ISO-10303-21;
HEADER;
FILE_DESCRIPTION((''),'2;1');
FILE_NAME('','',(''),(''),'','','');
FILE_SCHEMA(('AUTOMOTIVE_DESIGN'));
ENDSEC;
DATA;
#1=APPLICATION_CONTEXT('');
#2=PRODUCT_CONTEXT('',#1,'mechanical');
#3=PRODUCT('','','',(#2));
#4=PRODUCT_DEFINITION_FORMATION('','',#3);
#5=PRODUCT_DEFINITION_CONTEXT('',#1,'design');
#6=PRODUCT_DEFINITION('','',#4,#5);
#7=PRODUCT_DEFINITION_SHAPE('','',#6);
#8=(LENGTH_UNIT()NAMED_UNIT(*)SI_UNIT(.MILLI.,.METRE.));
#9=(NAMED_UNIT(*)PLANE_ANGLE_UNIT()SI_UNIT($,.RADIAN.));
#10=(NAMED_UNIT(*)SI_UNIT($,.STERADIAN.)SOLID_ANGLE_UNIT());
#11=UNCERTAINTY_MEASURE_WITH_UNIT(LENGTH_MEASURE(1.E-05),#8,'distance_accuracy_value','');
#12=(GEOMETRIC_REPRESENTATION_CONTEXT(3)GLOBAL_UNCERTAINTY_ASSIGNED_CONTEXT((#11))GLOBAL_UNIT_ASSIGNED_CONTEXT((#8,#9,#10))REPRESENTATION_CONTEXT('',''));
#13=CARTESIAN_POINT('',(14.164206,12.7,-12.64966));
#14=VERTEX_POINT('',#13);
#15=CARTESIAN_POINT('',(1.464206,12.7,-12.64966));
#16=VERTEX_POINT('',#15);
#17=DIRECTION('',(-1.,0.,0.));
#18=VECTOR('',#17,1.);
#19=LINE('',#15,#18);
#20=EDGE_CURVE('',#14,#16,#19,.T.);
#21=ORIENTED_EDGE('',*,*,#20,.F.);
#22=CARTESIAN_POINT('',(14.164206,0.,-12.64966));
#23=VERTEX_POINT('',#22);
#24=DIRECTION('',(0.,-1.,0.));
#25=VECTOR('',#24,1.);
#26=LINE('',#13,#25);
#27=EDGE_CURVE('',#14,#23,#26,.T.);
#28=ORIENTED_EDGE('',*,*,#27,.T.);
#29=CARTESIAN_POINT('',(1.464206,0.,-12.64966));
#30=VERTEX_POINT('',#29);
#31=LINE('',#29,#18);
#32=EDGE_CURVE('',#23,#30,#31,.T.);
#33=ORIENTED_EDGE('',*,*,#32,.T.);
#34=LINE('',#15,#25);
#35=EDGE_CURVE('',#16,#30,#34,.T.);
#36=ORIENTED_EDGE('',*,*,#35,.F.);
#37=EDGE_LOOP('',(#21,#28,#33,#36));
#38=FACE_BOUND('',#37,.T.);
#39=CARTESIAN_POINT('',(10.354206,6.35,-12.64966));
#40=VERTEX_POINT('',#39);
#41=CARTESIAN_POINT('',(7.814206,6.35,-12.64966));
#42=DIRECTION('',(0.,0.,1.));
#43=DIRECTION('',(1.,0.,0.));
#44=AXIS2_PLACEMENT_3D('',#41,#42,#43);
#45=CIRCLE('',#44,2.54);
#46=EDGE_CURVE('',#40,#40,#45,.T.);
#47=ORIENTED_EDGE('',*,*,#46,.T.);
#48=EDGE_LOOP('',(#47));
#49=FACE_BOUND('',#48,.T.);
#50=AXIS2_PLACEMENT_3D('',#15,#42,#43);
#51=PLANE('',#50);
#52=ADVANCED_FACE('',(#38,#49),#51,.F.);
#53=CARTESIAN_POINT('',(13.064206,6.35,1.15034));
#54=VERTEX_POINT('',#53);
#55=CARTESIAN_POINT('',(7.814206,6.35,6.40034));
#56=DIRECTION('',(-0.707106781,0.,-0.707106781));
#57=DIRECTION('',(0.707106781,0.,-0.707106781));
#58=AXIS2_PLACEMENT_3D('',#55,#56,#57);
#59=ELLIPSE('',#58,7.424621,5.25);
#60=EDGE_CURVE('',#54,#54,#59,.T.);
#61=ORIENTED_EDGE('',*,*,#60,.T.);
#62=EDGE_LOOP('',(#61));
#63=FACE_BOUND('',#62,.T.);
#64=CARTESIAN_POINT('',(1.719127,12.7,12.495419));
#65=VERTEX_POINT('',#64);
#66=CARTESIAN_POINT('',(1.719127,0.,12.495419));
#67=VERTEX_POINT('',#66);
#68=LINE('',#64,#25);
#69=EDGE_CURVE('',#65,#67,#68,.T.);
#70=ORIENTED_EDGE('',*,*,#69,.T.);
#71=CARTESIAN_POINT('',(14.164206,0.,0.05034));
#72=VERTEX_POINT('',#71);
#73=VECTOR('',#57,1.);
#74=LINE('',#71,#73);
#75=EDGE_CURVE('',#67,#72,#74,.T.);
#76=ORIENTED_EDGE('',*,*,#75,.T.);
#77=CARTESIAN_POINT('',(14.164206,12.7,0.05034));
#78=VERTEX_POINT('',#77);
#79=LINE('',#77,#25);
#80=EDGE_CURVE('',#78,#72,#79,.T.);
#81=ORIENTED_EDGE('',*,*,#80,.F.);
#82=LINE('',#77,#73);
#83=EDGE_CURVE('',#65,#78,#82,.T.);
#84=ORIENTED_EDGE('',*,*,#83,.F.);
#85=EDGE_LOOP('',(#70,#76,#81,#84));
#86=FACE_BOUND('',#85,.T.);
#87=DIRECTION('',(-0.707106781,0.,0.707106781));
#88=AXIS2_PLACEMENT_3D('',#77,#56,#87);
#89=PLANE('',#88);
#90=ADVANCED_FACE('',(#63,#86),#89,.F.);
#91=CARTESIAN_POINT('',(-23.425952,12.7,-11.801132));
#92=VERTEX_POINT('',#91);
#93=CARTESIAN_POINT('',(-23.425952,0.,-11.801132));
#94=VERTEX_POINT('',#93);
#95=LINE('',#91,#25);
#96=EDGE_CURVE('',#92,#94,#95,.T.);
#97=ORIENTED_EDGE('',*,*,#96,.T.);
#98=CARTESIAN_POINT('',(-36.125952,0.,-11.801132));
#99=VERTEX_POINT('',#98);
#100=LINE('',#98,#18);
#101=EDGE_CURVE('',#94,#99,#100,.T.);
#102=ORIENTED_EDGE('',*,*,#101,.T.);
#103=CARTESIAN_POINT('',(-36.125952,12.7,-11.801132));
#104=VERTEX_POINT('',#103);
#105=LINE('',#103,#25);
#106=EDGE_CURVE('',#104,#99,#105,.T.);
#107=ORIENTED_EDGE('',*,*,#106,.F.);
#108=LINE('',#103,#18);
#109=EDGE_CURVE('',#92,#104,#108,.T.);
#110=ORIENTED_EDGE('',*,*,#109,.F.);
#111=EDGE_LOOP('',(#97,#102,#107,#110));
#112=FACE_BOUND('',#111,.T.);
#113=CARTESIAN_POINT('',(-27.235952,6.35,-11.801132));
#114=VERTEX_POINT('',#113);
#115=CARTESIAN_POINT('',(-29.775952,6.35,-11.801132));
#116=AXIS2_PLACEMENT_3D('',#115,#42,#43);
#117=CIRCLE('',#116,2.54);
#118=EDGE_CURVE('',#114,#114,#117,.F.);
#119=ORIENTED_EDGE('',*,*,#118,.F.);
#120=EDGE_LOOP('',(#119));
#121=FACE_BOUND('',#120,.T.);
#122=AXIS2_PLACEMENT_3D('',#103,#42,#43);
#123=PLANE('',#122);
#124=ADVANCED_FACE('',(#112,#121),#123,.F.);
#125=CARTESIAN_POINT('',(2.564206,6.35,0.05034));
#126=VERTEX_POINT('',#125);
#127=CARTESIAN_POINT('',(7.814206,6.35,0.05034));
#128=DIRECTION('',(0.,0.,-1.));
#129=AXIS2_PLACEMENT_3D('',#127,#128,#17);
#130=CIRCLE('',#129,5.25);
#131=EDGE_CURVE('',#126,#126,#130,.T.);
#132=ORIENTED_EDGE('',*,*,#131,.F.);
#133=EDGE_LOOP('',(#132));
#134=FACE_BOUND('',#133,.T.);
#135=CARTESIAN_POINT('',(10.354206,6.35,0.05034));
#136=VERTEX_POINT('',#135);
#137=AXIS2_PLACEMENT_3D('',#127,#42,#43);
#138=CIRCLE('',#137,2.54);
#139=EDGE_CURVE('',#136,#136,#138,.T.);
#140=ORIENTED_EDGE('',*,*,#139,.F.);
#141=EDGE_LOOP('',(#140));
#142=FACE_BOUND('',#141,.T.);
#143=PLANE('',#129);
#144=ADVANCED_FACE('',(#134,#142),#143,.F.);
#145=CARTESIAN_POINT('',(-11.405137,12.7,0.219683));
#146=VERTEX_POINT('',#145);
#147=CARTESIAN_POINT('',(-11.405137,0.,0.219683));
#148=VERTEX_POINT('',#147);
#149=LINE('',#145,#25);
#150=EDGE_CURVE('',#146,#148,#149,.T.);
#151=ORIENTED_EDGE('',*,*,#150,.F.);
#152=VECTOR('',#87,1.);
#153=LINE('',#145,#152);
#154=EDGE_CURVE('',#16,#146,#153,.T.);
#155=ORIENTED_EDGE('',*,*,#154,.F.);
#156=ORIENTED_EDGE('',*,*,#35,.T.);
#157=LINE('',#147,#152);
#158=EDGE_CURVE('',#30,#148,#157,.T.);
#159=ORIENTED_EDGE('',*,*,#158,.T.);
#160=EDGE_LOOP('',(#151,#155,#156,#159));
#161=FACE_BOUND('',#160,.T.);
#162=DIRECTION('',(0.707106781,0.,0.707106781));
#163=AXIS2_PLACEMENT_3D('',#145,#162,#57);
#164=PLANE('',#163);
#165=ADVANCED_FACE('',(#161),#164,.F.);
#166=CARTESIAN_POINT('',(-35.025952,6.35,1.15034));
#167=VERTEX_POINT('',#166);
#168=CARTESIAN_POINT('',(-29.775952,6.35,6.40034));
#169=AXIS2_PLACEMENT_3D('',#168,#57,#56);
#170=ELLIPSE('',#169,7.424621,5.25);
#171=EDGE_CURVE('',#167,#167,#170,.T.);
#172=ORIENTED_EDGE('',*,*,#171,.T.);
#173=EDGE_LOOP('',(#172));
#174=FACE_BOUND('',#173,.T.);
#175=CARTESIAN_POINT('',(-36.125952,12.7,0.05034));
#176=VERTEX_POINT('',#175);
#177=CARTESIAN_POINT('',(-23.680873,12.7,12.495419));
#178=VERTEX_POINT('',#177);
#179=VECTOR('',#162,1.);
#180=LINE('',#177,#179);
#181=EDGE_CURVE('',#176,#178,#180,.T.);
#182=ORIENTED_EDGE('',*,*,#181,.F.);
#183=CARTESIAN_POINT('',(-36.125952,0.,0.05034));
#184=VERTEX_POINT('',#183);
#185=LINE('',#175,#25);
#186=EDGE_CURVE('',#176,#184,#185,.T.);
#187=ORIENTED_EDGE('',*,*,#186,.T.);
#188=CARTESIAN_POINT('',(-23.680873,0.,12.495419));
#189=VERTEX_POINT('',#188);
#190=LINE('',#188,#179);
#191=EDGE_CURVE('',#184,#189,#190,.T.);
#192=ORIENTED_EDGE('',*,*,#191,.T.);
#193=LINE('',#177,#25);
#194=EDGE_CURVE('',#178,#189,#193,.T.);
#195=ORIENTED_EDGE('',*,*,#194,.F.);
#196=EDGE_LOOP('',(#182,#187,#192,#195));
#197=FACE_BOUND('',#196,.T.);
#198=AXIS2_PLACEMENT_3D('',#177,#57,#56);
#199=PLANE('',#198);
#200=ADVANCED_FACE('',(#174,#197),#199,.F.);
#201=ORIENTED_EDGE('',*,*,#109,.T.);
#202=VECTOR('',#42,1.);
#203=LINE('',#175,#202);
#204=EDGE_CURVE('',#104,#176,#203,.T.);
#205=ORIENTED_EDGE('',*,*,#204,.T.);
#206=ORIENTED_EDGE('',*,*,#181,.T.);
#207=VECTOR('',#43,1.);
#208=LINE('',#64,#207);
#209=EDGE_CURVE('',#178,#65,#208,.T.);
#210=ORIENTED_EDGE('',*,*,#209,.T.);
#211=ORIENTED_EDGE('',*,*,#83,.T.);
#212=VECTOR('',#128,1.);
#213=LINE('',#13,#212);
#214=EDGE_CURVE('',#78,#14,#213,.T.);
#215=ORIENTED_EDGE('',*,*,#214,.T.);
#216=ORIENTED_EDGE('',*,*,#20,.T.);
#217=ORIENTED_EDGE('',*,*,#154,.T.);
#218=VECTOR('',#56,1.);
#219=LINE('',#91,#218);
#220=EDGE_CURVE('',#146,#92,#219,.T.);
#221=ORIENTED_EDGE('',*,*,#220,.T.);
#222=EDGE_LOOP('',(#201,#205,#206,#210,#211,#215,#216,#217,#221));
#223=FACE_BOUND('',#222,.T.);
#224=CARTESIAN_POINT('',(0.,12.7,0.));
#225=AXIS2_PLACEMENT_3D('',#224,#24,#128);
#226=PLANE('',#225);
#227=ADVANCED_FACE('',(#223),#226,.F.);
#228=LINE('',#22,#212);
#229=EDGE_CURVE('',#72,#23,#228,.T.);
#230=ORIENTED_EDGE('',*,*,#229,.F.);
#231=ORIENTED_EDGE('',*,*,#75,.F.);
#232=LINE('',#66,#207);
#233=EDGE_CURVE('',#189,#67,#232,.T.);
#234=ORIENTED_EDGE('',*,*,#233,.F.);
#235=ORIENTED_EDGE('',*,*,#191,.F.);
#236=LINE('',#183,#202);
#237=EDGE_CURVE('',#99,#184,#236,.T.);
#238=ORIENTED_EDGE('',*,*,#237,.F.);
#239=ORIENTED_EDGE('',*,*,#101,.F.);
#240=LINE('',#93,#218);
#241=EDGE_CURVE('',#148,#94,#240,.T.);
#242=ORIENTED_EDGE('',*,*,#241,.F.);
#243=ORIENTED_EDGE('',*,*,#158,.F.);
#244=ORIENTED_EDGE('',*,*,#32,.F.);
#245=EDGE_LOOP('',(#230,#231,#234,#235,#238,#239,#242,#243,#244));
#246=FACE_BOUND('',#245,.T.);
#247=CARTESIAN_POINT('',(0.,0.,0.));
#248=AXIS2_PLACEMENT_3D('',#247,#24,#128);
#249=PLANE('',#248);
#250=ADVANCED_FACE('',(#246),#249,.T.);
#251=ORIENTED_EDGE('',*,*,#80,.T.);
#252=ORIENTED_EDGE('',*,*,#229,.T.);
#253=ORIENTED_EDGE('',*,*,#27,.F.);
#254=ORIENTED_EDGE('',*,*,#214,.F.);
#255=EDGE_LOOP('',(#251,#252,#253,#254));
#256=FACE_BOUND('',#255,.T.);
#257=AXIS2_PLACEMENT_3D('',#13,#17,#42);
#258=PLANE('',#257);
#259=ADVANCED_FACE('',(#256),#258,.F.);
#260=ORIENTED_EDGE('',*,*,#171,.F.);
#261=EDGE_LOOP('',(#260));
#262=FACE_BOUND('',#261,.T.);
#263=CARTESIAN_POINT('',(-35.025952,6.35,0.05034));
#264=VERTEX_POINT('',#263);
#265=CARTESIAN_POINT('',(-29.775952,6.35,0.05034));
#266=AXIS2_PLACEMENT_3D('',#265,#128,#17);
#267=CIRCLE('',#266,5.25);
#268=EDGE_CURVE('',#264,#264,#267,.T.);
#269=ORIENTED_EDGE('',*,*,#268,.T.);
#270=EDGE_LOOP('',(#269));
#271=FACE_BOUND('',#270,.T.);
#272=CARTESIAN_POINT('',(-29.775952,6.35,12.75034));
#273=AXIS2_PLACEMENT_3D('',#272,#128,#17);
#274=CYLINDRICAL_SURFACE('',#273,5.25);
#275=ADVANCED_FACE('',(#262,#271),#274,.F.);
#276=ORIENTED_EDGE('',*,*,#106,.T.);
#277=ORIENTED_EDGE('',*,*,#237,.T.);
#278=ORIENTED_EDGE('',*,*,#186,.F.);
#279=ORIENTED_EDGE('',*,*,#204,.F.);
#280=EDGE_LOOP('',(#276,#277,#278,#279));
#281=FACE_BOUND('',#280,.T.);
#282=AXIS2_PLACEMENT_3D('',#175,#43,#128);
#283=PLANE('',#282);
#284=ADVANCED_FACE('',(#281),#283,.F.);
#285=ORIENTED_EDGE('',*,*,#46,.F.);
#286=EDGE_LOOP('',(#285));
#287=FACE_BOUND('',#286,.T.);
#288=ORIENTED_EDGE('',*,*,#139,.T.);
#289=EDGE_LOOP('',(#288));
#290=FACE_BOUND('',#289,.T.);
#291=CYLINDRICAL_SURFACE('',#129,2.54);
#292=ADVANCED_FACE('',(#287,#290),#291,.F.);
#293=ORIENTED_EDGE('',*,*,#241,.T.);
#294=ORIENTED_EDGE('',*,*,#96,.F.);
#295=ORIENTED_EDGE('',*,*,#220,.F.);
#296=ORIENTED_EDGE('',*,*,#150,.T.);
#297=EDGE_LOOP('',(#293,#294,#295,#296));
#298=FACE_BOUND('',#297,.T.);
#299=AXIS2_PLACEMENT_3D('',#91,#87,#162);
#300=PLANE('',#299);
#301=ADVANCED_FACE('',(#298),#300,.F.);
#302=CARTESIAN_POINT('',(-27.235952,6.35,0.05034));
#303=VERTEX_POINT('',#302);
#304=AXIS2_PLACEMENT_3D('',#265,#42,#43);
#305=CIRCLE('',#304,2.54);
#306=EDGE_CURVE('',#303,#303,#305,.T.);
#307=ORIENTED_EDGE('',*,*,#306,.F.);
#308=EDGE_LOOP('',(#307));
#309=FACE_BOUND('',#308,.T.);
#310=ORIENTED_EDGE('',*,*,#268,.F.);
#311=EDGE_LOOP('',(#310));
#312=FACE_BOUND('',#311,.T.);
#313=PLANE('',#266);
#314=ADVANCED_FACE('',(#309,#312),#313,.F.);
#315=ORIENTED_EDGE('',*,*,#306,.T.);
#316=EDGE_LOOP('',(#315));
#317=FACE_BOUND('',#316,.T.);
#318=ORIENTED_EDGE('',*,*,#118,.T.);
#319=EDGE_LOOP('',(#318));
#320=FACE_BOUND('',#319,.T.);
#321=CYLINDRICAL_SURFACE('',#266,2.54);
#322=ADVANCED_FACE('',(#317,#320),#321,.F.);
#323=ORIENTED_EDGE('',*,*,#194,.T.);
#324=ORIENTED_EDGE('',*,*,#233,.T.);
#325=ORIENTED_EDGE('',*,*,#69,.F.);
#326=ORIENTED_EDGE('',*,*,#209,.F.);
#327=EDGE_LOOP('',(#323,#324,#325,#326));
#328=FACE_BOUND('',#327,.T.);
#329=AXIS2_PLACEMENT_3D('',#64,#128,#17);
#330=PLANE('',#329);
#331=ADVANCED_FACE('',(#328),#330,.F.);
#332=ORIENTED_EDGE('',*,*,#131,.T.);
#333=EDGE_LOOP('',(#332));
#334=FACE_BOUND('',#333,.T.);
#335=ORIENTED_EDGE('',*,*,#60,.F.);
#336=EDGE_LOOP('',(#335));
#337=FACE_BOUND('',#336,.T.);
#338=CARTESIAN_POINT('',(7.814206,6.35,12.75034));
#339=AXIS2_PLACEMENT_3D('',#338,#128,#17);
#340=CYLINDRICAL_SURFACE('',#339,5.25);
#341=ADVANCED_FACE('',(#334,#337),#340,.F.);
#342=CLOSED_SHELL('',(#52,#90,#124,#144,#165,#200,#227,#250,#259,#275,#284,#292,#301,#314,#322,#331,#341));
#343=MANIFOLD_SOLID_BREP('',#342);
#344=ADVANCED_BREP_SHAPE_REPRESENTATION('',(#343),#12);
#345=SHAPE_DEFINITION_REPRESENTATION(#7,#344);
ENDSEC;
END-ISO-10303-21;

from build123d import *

# Parameters (mm, degrees)
BOSS_EXTRUDE1_DEPTH = 12.7
CUT_EXTRUDE3_START  = 0.848528
SKETCH3_R           = 2.54
CUT_EXTRUDE3_DEPTH  = 12.7
SKETCH4_R           = 5.25
CUT_EXTRUDE4_DEPTH  = 12.7


with BuildPart() as part:
    # Sketch2 → Boss-Extrude1 (new body)
    with BuildSketch(Plane(origin=(0, 0, 0), x_dir=(1, 0, 0), z_dir=(0, 1, 0))):
        Polygon((-23.425952314, 11.801132082), (-11.405137034, -0.219683198), (1.464206384, 12.649660219), (14.164206384, 12.649660219), (14.164206384, -0.050339781), (1.719127035, -12.495419129), (-23.680872965, -12.495419129), (-36.125952314, -0.050339781), (-36.125952314, 11.801132082), align=None)
    extrude(amount=BOSS_EXTRUDE1_DEPTH)

    # Sketch3 → Cut-Extrude3 (cut)
    with BuildSketch(Plane(origin=(0, 0, -11.801132082), x_dir=(-1, 0, 0), z_dir=(0, 0, -1)).offset(CUT_EXTRUDE3_START)):
        with Locations(Location((-7.814206384, 6.35, 0), (0, 0, 180))):
            Circle(SKETCH3_R)
        with Locations(Location((29.775952314, 6.35, 0), (0, 0, 180))):
            Circle(SKETCH3_R)
    extrude(amount=-CUT_EXTRUDE3_DEPTH, mode=Mode.SUBTRACT)

    # Sketch4 → Cut-Extrude4 (cut)
    with BuildSketch(Plane(origin=(0, 0, 0.050339781), x_dir=(-1, 0, 0), z_dir=(0, 0, -1))):
        with Locations((-7.814206384, 6.35)):
            Circle(SKETCH4_R)
        with Locations((29.775952314, 6.35)):
            Circle(SKETCH4_R)
    extrude(amount=-CUT_EXTRUDE4_DEPTH, mode=Mode.SUBTRACT)


solid = part.part
